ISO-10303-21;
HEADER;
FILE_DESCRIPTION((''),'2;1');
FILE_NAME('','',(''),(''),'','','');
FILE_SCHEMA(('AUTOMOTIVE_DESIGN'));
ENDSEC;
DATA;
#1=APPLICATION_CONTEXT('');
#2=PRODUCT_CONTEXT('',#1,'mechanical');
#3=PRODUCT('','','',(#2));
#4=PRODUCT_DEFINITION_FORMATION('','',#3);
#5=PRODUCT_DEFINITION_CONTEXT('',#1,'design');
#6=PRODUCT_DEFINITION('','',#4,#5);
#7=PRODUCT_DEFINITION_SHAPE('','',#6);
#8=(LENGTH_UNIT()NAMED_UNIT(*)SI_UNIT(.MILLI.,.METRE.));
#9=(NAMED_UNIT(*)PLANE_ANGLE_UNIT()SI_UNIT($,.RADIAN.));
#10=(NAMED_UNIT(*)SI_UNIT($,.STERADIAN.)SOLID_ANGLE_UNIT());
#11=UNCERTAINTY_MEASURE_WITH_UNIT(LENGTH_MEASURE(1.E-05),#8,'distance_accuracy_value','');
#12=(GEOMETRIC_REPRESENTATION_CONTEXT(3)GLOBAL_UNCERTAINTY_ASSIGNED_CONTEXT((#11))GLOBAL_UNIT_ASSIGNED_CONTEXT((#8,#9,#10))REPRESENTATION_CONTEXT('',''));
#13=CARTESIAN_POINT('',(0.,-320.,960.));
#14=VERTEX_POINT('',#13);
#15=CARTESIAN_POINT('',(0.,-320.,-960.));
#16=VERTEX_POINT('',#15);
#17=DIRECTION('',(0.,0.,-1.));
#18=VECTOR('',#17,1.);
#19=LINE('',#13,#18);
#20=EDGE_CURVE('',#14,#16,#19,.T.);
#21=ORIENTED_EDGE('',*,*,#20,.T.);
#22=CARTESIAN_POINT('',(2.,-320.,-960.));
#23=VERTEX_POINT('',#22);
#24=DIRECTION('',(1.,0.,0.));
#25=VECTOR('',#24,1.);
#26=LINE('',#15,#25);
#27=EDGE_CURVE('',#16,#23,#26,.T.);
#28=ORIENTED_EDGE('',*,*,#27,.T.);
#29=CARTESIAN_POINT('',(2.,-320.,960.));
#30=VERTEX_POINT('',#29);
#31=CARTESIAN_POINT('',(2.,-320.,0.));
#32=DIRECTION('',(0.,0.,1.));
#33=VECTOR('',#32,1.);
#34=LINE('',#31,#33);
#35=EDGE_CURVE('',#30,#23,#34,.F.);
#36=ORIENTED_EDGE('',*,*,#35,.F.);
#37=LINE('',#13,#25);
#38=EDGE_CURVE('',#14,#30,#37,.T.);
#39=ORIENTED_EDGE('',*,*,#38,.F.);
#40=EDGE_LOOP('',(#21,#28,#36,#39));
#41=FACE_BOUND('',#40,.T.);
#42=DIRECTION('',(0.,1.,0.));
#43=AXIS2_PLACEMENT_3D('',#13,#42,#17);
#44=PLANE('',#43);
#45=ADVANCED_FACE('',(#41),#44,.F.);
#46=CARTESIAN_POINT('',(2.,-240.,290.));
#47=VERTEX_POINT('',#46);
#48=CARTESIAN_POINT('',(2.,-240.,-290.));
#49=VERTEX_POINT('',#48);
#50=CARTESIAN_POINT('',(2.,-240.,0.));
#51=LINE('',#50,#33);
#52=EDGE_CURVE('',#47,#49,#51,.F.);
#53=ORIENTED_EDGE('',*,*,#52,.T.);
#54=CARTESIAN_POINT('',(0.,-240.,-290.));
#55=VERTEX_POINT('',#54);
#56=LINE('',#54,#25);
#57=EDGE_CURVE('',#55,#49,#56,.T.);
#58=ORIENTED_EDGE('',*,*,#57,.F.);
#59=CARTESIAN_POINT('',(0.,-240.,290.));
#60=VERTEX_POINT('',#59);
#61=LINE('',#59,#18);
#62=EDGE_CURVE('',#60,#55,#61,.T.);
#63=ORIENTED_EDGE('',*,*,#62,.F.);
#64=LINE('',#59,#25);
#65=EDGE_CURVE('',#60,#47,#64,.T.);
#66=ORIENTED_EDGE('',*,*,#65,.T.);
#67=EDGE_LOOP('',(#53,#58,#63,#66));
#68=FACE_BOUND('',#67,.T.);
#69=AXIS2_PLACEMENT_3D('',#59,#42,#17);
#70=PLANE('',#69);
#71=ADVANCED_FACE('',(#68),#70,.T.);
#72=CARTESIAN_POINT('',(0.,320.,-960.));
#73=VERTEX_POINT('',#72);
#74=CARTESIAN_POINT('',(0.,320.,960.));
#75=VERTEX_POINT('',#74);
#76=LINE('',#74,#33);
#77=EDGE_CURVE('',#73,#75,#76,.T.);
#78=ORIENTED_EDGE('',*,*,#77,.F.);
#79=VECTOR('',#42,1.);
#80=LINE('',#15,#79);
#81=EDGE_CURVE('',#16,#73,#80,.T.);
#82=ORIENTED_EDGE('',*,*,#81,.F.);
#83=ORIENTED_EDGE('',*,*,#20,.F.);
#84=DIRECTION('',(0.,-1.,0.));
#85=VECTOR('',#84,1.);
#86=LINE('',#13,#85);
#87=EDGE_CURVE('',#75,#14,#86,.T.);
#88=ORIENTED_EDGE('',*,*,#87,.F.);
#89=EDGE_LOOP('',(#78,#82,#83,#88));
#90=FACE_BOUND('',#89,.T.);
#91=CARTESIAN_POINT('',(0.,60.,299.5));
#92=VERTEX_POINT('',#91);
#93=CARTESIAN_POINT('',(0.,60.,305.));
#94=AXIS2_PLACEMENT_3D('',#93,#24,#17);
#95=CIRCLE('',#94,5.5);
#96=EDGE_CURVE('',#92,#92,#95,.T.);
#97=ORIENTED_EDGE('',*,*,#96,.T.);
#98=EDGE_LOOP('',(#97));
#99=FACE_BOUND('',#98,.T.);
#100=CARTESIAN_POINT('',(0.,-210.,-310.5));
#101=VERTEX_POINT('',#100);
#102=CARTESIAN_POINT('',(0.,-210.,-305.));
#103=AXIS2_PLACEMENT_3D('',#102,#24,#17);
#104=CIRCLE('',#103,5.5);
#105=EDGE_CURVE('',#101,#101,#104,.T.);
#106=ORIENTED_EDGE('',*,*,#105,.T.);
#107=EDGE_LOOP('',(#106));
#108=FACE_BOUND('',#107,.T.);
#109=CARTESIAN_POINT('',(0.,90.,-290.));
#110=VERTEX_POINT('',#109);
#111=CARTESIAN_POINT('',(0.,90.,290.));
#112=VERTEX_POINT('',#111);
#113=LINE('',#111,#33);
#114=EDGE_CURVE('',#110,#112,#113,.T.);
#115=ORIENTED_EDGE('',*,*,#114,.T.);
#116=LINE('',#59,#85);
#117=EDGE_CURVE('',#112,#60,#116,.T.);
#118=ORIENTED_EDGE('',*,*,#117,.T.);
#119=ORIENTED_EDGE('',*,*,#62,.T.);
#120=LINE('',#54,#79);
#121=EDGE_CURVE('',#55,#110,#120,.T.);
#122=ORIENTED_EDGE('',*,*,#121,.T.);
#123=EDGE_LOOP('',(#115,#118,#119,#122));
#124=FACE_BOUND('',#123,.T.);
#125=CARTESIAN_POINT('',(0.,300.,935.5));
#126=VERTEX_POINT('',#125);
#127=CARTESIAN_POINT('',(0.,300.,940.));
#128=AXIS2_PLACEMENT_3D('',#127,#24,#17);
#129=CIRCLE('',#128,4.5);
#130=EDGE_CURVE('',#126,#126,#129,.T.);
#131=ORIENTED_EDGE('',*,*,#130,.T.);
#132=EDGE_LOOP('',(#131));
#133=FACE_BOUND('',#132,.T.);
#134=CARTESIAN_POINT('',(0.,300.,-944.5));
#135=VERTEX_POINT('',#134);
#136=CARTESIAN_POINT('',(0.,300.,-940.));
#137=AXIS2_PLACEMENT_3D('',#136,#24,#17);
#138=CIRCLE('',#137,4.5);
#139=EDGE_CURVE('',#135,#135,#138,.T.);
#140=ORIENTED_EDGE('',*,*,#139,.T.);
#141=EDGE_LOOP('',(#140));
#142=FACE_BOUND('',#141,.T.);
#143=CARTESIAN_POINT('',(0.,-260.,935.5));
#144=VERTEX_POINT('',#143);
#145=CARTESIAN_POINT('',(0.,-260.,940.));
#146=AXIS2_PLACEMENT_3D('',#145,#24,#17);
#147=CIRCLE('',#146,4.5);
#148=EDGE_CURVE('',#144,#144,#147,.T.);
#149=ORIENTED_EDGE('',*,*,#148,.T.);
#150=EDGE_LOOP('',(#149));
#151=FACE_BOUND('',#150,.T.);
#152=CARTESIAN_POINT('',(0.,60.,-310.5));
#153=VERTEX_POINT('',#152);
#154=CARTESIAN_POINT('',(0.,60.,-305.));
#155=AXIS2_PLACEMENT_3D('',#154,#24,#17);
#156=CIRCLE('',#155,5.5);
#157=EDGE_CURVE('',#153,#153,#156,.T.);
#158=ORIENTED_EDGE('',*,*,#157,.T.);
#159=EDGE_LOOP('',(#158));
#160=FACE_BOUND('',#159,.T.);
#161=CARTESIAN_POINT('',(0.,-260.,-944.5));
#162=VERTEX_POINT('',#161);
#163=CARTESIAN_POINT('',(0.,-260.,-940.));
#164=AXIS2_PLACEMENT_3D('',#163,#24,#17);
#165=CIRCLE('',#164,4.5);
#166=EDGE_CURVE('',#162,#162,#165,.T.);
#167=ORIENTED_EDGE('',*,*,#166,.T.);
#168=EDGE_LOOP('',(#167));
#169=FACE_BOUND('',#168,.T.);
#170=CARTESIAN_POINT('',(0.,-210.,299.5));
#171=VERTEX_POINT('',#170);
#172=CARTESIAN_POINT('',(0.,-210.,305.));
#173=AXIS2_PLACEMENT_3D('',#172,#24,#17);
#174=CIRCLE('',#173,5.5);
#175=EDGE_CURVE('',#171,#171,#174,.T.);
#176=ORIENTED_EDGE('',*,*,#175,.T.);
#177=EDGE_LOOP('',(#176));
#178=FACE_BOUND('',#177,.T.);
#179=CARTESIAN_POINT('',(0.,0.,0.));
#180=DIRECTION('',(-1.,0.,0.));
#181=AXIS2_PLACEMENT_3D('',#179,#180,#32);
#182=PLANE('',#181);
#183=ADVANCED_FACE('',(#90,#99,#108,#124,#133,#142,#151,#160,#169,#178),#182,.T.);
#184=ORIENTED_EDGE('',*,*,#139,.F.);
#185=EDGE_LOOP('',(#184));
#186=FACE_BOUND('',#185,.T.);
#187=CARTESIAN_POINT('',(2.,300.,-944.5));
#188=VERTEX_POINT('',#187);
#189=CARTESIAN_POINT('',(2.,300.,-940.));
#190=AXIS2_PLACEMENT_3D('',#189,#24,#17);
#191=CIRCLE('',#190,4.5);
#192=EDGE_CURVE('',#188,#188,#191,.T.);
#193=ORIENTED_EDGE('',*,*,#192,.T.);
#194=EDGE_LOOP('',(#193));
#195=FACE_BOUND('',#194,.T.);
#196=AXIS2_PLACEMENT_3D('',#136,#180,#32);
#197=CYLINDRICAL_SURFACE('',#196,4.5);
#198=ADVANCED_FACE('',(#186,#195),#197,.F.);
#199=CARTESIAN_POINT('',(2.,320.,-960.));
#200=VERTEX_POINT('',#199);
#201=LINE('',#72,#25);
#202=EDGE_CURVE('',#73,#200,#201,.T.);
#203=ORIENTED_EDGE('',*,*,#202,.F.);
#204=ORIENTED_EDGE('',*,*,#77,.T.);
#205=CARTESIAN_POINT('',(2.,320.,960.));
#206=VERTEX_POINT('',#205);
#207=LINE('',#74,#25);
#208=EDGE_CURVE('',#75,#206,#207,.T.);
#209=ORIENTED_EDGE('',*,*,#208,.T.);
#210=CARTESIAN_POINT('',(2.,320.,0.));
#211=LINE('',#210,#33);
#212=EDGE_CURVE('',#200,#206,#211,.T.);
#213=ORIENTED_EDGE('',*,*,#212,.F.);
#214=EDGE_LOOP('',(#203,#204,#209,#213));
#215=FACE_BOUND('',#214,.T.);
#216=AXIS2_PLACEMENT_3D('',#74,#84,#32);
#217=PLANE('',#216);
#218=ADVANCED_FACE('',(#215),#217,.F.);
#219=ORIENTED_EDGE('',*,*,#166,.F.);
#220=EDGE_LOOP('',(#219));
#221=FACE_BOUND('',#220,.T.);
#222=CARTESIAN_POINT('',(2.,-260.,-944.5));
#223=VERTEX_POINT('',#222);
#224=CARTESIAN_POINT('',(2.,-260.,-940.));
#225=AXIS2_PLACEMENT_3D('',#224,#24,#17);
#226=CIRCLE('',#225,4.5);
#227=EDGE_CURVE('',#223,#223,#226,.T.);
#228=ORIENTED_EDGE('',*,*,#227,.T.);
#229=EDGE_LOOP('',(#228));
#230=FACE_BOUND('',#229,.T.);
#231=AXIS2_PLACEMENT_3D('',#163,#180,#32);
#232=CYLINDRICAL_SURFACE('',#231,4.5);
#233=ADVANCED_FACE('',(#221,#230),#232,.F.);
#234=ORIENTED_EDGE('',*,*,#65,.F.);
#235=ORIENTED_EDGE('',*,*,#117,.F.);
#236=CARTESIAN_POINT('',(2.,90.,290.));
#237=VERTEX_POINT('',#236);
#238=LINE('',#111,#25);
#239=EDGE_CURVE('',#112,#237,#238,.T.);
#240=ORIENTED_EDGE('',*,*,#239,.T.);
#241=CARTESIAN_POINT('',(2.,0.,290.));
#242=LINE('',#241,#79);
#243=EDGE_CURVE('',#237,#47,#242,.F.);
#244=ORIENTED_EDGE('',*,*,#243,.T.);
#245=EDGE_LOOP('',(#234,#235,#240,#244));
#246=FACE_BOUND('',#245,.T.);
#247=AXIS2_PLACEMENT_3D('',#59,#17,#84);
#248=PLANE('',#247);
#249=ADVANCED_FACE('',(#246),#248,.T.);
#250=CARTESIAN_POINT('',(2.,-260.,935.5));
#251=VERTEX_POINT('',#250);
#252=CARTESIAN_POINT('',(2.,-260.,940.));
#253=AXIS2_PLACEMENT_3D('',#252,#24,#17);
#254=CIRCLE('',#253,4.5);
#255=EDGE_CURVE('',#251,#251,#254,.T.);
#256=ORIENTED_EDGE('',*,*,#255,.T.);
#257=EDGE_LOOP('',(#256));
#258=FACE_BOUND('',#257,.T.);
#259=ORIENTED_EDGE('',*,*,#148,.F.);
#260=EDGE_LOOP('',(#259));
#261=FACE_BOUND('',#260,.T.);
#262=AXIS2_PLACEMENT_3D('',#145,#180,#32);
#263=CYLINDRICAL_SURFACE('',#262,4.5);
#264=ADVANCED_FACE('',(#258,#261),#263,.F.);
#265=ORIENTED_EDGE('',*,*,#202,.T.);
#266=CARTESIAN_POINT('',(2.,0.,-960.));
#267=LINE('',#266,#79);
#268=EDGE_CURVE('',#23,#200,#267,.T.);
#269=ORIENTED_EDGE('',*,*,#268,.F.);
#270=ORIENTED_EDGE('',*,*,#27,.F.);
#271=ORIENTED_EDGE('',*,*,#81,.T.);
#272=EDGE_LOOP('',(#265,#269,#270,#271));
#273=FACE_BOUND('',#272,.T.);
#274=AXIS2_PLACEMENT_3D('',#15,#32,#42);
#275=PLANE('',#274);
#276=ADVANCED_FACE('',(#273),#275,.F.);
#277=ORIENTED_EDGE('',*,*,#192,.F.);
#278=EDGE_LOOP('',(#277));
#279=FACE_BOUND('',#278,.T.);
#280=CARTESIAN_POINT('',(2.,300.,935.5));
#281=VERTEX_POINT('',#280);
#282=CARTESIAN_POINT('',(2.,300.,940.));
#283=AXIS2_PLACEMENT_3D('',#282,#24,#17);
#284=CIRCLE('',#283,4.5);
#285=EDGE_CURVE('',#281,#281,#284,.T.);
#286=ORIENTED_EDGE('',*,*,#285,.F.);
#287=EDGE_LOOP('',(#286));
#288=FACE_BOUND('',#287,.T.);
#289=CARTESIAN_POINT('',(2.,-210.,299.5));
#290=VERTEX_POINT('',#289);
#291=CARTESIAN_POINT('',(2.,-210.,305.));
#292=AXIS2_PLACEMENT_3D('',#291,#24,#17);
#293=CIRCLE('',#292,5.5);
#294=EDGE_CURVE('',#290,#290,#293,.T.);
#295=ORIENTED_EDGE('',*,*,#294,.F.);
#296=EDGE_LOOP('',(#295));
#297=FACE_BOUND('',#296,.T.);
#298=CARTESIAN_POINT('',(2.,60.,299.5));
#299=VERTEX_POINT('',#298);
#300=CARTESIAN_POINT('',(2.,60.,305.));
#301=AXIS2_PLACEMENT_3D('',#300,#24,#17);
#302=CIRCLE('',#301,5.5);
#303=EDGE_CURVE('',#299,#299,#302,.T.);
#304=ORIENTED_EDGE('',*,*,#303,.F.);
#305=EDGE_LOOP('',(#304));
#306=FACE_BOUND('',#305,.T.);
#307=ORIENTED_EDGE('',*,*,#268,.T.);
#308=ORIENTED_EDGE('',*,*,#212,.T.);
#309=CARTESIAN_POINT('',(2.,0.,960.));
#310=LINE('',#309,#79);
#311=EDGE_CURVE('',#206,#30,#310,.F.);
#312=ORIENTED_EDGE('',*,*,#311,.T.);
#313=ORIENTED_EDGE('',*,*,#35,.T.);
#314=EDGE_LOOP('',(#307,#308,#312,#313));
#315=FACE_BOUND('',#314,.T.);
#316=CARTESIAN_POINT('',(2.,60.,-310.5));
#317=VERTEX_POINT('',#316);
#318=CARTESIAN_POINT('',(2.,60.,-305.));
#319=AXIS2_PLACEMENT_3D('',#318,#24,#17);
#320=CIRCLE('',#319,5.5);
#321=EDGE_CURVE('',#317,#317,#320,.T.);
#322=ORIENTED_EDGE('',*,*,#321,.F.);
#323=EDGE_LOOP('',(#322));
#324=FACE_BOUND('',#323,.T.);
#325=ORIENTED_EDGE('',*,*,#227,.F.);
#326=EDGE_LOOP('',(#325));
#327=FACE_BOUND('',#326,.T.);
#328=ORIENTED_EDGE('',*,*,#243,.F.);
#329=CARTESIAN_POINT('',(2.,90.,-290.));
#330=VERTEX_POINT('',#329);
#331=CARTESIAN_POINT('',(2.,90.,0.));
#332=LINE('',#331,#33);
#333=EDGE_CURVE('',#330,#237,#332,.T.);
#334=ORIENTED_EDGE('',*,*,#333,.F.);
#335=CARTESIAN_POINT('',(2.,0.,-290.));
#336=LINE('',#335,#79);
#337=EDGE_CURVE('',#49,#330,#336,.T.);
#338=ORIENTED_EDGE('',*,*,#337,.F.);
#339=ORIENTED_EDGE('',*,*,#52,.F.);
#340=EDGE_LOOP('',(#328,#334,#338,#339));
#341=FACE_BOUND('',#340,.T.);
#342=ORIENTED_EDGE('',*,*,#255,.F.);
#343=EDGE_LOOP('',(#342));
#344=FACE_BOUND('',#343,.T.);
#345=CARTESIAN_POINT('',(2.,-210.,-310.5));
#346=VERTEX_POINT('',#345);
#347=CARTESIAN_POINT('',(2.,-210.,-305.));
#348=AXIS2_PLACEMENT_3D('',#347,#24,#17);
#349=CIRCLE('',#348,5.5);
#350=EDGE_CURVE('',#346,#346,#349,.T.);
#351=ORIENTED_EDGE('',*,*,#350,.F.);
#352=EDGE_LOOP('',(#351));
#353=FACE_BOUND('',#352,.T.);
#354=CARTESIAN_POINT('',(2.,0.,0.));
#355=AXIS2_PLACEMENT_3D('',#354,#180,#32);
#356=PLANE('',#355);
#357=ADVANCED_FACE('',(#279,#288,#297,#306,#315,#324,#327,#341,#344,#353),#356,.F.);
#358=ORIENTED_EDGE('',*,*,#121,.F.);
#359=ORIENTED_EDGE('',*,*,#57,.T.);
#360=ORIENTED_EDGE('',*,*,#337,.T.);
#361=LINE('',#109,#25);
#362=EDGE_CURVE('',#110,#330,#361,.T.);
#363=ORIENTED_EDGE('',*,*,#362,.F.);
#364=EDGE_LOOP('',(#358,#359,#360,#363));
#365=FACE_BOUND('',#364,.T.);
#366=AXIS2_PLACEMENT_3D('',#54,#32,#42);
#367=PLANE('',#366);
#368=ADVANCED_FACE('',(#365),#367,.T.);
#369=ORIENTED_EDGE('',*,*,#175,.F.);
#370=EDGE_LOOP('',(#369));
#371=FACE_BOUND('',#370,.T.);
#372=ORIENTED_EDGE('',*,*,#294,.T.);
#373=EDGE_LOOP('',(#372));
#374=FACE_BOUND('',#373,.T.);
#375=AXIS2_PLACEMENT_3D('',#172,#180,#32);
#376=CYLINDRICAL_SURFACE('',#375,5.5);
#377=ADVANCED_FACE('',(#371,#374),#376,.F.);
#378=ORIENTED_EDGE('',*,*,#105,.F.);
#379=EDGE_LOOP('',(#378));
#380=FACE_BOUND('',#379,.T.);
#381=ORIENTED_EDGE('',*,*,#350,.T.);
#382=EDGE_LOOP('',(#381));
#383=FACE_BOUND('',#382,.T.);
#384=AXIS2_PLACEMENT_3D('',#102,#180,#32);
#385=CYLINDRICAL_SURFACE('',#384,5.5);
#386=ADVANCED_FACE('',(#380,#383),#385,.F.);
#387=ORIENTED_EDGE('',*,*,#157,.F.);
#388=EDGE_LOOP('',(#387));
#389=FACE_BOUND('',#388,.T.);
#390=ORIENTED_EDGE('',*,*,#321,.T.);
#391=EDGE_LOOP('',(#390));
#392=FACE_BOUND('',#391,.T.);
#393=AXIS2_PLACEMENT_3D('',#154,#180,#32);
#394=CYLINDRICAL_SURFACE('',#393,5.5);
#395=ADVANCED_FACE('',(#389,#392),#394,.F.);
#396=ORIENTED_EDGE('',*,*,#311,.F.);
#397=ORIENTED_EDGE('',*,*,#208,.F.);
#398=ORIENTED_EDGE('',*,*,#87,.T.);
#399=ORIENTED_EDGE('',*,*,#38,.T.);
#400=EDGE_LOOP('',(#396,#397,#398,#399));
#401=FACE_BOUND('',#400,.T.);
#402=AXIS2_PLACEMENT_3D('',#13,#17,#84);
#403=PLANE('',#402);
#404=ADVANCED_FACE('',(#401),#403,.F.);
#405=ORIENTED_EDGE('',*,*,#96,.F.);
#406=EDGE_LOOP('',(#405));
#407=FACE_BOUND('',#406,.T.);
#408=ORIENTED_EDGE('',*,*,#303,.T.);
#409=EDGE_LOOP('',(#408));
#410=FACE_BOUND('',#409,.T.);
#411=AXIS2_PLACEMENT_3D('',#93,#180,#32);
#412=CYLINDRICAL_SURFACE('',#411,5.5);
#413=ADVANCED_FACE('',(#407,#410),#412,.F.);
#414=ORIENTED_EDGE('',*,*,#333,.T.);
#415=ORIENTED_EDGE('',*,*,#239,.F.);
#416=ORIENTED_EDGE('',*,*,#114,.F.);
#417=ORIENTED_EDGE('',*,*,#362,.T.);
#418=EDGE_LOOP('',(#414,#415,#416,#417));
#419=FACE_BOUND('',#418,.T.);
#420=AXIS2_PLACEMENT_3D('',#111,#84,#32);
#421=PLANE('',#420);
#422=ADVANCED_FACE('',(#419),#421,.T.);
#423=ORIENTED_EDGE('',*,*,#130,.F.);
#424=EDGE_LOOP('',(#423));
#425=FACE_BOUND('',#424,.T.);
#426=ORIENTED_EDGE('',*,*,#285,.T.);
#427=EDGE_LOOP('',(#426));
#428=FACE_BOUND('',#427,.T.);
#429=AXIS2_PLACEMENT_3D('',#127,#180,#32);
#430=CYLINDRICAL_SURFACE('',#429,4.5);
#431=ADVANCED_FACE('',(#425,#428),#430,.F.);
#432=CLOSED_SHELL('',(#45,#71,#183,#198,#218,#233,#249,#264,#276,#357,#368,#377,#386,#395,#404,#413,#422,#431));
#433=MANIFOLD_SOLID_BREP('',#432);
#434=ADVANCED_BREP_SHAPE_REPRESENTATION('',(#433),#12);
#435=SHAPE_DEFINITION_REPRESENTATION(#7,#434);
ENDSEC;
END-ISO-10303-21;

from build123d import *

# Parameters (mm, degrees)
SKETCH1_W   = 1920
SKETCH1_H   = 640
SKETCH1_R   = 4.5
SKETCH1_R_2 = 5.5
SKETCH1_W_2 = 580
SKETCH1_H_2 = 330
THICKEN1_T1 = 2


with BuildPart() as body_1:
    # Sketch1 → Surface-Plane1: a flat surface bounded by the sketch
    with BuildSketch(Plane(origin=(0, 0, 0), x_dir=(0, 0, -1), z_dir=(1, 0, 0)), mode=Mode.PRIVATE) as surface_plane1_1_region:
        Rectangle(SKETCH1_W, SKETCH1_H)
        with Locations((-940, 300)):
            Circle(SKETCH1_R, mode=Mode.SUBTRACT)
        with Locations((940, 300)):
            Circle(SKETCH1_R, mode=Mode.SUBTRACT)
        with Locations((940, -260)):
            Circle(SKETCH1_R, mode=Mode.SUBTRACT)
        with Locations((-940, -260)):
            Circle(SKETCH1_R, mode=Mode.SUBTRACT)
        with Locations((-305, 60)):
            Circle(SKETCH1_R_2, mode=Mode.SUBTRACT)
        with Locations((305, 60)):
            Circle(SKETCH1_R_2, mode=Mode.SUBTRACT)
        with Locations((305, -210)):
            Circle(SKETCH1_R_2, mode=Mode.SUBTRACT)
        with Locations((-305, -210)):
            Circle(SKETCH1_R_2, mode=Mode.SUBTRACT)
        with Locations((0, -75)):
            Rectangle(SKETCH1_W_2, SKETCH1_H_2, mode=Mode.SUBTRACT)
    surface_plane1_1 = surface_plane1_1_region.sketch.faces()[0]
    add(Solid.thicken(surface_plane1_1, THICKEN1_T1))


solid = body_1.part
